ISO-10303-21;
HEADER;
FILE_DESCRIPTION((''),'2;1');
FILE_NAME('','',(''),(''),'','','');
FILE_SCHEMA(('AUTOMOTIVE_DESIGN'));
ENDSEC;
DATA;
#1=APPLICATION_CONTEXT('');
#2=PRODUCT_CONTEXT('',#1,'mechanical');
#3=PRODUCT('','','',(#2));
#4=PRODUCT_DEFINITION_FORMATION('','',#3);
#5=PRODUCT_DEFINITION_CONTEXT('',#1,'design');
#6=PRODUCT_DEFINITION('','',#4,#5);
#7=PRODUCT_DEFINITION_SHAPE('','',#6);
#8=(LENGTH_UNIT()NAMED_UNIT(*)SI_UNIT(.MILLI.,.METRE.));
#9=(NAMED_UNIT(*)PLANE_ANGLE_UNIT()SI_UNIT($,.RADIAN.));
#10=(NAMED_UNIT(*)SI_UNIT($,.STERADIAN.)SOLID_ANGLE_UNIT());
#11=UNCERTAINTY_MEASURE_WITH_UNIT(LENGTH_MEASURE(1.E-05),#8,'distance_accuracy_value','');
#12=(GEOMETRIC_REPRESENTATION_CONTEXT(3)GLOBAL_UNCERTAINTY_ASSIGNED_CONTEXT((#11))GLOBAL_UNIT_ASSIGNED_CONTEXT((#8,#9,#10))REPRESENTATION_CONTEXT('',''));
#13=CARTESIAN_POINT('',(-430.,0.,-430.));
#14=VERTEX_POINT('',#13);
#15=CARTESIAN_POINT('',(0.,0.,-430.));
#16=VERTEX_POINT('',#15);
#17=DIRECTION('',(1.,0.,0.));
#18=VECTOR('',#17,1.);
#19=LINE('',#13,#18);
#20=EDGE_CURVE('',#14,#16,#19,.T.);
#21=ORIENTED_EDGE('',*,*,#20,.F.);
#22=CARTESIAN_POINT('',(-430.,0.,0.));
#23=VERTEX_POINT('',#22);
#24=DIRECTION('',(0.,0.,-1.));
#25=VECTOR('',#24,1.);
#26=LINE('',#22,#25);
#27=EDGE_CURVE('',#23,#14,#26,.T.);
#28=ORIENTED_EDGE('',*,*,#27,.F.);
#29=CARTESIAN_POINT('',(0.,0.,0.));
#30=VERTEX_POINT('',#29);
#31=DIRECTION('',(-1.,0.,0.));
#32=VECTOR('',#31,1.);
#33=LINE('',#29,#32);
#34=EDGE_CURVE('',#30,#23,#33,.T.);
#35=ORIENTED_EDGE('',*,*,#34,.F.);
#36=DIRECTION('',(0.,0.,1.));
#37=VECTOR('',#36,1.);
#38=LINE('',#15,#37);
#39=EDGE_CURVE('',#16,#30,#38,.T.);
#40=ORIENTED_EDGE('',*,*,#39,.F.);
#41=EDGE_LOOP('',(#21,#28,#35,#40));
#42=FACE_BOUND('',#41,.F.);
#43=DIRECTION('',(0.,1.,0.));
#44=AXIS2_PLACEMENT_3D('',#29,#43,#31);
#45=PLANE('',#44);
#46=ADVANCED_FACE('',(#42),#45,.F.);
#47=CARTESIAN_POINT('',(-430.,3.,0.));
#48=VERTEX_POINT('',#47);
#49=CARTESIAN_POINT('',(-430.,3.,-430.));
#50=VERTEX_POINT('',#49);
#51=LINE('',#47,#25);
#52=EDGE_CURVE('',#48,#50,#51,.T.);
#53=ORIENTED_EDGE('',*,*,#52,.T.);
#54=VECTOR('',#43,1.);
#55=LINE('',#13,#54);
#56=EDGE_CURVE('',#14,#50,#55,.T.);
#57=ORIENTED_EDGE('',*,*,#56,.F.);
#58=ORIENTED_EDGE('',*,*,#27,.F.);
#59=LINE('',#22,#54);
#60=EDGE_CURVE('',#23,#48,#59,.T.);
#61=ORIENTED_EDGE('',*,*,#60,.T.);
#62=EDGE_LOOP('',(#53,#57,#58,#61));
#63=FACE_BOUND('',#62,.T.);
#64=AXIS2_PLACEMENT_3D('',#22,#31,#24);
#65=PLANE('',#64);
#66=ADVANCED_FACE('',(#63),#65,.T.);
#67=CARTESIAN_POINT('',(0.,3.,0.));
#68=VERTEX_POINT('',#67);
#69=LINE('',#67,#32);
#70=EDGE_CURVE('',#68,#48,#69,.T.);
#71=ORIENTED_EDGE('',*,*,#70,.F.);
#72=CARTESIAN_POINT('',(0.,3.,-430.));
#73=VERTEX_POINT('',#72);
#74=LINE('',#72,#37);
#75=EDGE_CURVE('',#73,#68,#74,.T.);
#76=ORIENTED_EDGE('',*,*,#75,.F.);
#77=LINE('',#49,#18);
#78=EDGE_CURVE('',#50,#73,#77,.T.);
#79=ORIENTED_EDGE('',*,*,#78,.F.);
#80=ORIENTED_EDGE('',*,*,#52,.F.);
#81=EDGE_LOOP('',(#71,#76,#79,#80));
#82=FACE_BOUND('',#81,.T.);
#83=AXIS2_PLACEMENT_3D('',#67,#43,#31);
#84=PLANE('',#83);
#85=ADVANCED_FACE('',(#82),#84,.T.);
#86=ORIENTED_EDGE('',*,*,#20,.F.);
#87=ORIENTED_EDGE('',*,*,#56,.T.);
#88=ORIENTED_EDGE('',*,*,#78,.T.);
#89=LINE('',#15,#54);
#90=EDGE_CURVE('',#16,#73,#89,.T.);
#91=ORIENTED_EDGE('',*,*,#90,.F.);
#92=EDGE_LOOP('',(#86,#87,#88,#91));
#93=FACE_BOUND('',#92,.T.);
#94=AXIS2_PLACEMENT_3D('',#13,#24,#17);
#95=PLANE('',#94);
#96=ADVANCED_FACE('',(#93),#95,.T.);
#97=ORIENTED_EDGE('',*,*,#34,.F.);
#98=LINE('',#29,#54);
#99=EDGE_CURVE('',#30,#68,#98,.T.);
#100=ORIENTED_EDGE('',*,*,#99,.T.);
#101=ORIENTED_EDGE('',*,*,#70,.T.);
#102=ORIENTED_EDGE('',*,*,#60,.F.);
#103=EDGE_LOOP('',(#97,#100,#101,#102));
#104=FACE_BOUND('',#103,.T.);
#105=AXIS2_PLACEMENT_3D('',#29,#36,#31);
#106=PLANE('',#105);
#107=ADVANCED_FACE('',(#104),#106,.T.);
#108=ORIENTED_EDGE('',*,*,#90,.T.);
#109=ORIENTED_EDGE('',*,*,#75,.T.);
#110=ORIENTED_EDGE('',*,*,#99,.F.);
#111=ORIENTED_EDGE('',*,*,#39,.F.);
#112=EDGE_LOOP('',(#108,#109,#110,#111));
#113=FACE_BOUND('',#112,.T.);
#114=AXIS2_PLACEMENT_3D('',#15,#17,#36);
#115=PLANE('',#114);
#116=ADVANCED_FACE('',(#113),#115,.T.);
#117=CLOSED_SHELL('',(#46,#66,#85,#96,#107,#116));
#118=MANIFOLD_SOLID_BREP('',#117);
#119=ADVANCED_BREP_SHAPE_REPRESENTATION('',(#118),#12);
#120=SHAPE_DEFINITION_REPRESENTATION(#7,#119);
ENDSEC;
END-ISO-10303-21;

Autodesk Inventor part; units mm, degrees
ref_plane "YZ Plane" through (0, 0, 0) normal (1, 0, 0) x (0, 1, 0)
ref_plane "XZ Plane" through (0, 0, 0) normal (0, 1, 0) x (-1, 0, 0)
ref_plane "XY Plane" through (0, 0, 0) normal (0, 0, 1) x (1, 0, 0)
sketch "Esboço1" plane through (0, 0, 0) normal (0, 1, 0) x (-1, 0, 0)
  line L0 (0, 0) -> (430, 0)
  line L1 (430, 0) -> (430, -430)
  line L2 (430, -430) -> (0, -430)
  line L3 (0, -430) -> (0, 0)
  dimension "d0" = 430
  dimension "d1" = 430
extrude "Extrusão1" add sketch "Esboço1" along normal blind 3
properties part number "vidro" material "Vidro"
